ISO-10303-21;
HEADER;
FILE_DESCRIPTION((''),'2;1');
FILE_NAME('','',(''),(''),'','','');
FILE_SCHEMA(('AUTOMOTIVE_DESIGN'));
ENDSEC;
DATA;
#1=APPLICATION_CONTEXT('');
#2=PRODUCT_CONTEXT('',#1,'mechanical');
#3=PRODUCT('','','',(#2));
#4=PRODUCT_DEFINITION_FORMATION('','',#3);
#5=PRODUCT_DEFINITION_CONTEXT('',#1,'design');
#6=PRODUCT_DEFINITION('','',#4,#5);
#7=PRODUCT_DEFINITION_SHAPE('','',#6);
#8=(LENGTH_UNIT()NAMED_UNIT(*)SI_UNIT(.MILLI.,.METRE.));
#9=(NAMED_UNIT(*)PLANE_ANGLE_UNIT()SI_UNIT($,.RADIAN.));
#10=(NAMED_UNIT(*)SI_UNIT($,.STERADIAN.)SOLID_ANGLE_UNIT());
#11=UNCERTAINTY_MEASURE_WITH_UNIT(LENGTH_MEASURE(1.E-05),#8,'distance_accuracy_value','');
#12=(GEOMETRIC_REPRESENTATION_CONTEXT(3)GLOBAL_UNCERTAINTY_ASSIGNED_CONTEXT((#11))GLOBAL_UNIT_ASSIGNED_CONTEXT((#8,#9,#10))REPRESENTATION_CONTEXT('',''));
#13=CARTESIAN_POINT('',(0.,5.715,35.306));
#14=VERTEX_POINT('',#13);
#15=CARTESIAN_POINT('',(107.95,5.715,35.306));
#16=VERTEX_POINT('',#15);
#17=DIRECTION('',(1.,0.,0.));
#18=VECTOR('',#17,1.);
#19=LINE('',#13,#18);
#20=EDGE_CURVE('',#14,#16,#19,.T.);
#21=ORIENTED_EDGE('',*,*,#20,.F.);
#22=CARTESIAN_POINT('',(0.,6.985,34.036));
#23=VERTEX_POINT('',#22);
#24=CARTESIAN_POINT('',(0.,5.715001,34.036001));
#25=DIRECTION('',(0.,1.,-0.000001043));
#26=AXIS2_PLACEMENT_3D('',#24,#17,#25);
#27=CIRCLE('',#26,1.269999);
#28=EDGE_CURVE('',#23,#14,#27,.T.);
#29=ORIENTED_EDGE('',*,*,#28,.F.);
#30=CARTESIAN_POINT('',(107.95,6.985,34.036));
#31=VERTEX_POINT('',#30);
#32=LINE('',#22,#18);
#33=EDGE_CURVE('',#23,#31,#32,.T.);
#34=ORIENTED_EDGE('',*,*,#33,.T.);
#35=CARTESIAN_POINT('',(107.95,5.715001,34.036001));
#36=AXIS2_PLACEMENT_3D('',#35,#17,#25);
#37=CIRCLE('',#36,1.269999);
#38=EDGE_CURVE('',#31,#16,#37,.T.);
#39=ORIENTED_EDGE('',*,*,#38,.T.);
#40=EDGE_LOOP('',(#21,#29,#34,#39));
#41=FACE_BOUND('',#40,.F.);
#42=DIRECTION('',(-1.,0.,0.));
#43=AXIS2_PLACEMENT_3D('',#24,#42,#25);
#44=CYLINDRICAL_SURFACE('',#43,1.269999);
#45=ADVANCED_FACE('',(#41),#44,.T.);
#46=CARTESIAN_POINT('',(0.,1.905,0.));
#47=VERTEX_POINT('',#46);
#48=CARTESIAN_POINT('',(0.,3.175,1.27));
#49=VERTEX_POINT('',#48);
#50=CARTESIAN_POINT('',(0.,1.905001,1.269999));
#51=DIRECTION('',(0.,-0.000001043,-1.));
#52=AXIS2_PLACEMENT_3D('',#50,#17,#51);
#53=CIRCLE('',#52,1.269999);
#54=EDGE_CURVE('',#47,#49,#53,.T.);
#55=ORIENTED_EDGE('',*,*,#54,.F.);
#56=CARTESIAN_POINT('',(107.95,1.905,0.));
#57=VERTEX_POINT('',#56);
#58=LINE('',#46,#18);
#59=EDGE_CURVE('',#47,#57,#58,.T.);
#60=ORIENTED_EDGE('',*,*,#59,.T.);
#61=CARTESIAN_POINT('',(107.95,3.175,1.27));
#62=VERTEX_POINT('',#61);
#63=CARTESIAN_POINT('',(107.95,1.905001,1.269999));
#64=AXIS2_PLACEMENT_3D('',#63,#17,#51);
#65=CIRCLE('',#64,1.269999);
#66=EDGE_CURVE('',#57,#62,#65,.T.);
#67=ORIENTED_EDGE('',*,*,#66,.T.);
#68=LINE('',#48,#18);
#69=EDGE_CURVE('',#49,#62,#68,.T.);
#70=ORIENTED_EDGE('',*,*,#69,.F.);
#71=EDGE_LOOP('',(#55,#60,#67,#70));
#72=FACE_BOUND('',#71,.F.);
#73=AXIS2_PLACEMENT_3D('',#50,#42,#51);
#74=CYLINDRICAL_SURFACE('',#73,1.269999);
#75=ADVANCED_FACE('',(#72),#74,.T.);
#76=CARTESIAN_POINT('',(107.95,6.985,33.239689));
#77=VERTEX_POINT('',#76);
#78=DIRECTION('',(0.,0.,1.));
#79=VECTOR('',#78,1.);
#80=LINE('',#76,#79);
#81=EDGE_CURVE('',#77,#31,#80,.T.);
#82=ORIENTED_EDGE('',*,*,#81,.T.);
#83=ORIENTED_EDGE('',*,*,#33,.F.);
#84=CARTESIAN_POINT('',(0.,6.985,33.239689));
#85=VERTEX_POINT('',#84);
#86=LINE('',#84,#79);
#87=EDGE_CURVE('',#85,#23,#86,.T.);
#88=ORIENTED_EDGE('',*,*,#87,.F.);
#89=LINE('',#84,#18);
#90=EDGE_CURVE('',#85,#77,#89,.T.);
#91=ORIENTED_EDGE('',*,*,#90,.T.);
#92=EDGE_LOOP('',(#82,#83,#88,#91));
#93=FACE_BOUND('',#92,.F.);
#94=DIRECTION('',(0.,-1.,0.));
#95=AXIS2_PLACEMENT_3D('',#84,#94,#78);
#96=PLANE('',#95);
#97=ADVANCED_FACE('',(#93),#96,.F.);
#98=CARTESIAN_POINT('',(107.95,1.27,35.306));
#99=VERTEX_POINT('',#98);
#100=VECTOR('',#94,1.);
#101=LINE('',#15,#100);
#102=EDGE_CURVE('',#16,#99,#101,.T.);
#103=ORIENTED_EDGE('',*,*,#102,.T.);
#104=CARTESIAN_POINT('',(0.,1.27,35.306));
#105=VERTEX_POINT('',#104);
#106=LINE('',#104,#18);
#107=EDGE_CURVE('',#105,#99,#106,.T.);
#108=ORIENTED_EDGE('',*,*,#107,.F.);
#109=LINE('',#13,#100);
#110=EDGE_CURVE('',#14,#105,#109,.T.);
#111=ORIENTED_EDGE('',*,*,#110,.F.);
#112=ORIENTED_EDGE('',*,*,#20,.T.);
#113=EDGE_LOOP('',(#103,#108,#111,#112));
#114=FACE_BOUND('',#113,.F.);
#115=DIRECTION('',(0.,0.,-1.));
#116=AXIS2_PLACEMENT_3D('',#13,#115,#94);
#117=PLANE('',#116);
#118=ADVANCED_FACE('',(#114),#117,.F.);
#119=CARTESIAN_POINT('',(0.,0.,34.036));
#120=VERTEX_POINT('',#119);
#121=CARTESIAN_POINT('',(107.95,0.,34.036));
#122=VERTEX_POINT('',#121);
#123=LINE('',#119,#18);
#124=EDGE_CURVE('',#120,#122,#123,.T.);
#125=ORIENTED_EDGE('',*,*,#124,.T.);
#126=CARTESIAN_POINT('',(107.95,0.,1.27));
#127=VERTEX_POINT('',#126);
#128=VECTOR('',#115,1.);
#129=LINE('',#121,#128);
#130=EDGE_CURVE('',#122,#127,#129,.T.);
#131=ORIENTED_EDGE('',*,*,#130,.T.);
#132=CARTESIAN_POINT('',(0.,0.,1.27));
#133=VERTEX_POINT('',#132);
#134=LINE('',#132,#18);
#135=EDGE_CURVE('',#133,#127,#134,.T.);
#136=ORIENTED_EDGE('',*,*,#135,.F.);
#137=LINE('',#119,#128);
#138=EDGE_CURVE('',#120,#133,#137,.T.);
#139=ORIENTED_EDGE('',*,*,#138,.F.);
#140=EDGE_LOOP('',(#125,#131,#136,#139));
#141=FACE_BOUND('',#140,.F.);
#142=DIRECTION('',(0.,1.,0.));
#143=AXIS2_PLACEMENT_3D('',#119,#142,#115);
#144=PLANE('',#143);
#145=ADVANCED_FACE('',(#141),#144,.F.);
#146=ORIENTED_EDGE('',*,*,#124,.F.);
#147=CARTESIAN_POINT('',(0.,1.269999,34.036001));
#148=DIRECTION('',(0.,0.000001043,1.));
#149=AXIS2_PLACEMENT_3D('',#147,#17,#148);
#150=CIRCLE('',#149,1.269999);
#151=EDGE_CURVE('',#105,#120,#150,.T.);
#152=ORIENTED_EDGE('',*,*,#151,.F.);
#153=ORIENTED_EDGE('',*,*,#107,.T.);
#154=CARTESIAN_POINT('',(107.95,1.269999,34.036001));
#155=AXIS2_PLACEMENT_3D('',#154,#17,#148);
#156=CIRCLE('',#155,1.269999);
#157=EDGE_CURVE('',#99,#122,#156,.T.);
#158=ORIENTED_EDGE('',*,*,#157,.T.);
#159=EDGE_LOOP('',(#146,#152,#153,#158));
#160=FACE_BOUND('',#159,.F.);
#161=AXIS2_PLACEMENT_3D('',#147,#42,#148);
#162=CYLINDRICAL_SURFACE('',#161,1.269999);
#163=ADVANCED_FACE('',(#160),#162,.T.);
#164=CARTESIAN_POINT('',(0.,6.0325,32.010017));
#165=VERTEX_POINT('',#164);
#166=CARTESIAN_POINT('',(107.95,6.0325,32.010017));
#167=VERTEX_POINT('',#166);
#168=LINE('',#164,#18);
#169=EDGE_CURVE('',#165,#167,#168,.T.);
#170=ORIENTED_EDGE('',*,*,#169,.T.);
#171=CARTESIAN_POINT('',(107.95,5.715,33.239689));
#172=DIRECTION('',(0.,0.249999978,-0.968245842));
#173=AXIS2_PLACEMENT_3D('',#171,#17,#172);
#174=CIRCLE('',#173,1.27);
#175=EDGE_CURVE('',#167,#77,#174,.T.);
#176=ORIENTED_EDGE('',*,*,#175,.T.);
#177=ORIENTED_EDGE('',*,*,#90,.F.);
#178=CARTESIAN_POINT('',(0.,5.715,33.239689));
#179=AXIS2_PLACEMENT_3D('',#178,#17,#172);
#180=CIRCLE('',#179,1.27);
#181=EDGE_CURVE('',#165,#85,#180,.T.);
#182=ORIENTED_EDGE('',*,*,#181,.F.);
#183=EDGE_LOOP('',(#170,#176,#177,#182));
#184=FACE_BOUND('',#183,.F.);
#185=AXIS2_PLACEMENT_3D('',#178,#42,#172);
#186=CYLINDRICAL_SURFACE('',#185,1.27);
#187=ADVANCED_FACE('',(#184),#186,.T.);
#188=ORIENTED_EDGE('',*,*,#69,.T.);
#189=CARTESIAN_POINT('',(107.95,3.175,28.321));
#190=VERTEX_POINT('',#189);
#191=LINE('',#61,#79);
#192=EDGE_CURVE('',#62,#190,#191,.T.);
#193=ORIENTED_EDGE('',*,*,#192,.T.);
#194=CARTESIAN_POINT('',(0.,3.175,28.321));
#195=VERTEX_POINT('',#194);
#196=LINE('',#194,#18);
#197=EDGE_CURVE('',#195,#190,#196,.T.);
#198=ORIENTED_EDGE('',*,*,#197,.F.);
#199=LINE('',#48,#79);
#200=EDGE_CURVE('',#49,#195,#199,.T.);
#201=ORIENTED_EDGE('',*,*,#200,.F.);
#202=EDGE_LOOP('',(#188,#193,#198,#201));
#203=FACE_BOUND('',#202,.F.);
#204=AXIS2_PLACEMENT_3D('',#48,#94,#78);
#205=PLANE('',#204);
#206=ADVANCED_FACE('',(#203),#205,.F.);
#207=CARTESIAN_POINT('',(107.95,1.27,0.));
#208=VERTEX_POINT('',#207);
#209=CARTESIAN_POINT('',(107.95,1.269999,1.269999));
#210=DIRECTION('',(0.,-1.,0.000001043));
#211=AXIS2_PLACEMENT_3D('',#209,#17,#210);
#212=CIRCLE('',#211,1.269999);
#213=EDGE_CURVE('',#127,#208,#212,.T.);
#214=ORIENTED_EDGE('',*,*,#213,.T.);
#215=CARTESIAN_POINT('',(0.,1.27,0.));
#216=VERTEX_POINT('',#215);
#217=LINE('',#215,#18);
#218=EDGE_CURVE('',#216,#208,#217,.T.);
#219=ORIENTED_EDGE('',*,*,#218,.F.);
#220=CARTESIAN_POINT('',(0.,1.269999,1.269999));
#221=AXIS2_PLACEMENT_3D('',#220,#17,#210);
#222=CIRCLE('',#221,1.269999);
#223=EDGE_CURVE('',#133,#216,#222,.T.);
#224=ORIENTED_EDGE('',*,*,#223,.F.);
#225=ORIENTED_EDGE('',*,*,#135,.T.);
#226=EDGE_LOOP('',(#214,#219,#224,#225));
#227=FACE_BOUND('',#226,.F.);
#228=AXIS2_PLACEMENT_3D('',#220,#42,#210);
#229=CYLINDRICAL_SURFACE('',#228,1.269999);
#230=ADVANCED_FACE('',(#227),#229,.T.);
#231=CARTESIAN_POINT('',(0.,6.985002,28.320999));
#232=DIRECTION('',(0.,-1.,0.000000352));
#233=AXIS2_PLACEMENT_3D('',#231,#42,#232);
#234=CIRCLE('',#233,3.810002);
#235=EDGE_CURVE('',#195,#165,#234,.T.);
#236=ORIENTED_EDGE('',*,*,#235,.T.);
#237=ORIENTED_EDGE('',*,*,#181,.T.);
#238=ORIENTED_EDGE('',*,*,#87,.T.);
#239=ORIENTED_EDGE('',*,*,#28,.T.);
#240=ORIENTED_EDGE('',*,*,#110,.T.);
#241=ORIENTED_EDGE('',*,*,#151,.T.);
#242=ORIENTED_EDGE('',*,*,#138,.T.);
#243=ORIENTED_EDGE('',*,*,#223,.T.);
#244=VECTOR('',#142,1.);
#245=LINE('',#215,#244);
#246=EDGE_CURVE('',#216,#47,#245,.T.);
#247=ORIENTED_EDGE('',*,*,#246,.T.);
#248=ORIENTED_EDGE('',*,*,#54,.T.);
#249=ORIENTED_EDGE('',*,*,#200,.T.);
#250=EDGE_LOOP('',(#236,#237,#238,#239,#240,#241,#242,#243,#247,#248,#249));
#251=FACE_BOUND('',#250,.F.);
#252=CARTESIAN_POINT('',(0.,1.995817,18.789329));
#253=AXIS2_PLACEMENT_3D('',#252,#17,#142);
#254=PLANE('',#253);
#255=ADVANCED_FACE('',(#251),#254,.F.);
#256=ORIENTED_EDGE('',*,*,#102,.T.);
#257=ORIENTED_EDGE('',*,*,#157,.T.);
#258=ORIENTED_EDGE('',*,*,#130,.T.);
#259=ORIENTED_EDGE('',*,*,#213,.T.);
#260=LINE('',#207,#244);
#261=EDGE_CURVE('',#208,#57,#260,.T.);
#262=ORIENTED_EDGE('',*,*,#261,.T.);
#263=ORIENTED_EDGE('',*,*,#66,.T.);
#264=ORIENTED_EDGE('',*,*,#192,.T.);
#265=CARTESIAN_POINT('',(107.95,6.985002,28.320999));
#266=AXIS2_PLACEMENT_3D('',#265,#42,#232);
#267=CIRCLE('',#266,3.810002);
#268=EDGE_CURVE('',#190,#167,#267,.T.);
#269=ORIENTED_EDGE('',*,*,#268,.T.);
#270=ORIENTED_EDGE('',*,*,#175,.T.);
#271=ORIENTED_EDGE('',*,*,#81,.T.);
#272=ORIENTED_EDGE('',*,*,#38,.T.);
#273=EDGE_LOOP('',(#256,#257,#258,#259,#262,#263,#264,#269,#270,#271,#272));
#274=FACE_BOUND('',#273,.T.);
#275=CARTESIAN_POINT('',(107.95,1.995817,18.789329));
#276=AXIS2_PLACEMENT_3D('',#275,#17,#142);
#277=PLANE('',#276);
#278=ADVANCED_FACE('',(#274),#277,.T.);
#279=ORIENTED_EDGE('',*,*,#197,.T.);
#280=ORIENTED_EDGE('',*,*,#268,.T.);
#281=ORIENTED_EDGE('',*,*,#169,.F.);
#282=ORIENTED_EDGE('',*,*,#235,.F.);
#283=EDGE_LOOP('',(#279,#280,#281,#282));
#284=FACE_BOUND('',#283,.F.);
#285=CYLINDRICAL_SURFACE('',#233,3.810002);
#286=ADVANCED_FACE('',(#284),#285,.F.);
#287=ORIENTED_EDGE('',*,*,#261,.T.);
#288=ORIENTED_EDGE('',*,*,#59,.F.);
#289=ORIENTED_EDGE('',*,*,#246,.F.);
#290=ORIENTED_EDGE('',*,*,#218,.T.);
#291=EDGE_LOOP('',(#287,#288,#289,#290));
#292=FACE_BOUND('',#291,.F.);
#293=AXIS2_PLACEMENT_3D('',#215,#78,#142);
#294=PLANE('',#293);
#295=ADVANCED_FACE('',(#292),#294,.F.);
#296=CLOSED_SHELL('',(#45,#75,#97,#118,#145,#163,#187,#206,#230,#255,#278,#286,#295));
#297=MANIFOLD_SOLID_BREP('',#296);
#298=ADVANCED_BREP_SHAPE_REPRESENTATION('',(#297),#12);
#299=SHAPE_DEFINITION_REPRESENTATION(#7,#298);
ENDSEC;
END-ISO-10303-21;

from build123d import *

# Parameters (mm, degrees)
F1_DEPTH = 107.95


with BuildPart() as f1:
    # F0 (on Right) → F1 (new body)
    with BuildSketch(Plane.YZ):
        with BuildLine():
            Line((0, 28.956), (0, 1.27))
            ThreePointArc((0, 1.27), (0.371974, 0.371974), (1.27, 0))
            Line((1.27, 0), (1.905, 0))
            ThreePointArc((1.905, 0), (2.803026, 0.371974), (3.175, 1.27))
            Line((3.175, 1.27), (3.175, 28.321))
            ThreePointArc((3.175, 28.321), (3.972931, 30.654139), (6.0325, 32.010017))
            ThreePointArc((6.0325, 32.010017), (6.719023, 32.461976), (6.985, 33.239689))
            Line((6.985, 33.239689), (6.985, 34.036))
            ThreePointArc((6.985, 34.036), (6.613026, 34.934026), (5.715, 35.306))
            Line((5.715, 35.306), (1.27, 35.306))
            ThreePointArc((1.27, 35.306), (0.371974, 34.934026), (0, 34.036))
            Line((0, 34.036), (0, 28.956))
        make_face()
    extrude(amount=F1_DEPTH)


solid = f1.part
